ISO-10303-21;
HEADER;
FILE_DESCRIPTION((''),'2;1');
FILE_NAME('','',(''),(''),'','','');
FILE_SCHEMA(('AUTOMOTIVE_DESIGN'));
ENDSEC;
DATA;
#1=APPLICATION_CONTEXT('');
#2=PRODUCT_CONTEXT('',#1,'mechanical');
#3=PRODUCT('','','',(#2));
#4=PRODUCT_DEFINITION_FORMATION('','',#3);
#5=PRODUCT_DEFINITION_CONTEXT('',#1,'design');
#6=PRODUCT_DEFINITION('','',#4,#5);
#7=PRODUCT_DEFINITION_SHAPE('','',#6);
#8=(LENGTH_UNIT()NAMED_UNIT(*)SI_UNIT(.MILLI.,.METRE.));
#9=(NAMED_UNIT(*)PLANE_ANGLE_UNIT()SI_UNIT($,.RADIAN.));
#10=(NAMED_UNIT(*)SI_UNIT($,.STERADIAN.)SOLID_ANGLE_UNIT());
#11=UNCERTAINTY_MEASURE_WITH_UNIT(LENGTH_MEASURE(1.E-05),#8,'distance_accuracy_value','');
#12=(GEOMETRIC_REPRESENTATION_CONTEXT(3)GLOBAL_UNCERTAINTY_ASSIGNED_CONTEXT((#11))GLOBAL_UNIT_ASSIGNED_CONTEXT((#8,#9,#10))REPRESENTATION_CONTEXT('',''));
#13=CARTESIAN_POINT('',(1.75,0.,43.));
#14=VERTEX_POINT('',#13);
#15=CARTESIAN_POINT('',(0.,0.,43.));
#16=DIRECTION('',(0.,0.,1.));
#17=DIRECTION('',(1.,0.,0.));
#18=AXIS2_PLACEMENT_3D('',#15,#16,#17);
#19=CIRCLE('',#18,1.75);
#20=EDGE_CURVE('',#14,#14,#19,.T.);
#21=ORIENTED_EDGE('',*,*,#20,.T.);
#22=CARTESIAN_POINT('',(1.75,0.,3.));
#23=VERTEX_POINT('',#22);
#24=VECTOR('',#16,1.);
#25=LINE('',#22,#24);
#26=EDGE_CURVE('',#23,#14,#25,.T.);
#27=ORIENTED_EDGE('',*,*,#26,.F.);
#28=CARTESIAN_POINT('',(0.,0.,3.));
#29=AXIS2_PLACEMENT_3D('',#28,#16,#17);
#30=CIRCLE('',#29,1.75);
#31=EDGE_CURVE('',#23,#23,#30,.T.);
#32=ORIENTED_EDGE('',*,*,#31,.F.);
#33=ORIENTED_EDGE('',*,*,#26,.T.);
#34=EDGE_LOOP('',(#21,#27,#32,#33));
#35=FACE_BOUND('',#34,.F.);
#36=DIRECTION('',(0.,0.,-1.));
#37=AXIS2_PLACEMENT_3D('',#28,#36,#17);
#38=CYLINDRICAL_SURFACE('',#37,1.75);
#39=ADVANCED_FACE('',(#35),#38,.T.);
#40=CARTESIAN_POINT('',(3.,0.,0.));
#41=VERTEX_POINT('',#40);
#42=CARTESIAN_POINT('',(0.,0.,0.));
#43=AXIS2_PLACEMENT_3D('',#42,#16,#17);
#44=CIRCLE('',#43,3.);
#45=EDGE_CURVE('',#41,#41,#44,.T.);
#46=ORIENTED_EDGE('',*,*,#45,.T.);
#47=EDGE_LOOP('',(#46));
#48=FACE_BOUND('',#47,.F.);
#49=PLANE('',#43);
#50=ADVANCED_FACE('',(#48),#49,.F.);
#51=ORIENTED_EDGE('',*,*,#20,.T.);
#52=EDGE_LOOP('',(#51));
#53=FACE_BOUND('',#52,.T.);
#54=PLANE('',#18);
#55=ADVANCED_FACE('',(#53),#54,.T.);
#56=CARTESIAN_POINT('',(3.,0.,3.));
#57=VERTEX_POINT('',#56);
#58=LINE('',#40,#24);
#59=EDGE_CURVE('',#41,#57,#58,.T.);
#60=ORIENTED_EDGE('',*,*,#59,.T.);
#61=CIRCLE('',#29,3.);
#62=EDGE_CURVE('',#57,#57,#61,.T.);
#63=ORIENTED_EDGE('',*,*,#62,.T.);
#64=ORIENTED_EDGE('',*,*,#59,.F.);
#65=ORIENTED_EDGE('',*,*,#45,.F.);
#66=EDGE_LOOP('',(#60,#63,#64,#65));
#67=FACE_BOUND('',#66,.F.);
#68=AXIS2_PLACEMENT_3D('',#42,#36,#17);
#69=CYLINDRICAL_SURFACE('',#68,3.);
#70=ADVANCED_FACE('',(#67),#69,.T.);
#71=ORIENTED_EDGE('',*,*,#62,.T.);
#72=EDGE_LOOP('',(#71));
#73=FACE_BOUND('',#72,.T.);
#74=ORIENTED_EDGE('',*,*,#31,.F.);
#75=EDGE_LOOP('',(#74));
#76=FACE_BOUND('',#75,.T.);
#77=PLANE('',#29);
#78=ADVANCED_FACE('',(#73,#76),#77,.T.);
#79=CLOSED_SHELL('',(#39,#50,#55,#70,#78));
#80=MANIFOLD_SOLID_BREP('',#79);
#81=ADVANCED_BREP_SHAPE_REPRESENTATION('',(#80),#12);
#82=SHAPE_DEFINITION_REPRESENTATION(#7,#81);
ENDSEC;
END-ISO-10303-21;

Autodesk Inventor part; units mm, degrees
ref_plane "YZ Plane" through (0, 0, 0) normal (1, 0, 0) x (0, 1, 0)
ref_plane "XZ Plane" through (0, 0, 0) normal (0, 1, 0) x (-1, 0, 0)
ref_plane "XY Plane" through (0, 0, 0) normal (0, 0, 1) x (1, 0, 0)
sketch "スケッチ1" plane through (0, 0, 0) normal (0, 0, 1) x (1, 0, 0)
  circle A0 centre (0, 0) radius 3
  dimension "d0" = 6
extrude "押し出し1" add sketch "スケッチ1" along normal blind 3
sketch "スケッチ2" plane through (0, 0, 3) normal (0, 0, 1) x (1, 0, 0)
  circle A0 centre (0, 0) radius 1.75
  dimension "d3" = 3.5
extrude "押し出し2" add sketch "スケッチ2" along normal blind 40
properties part number "3SR13_キャスター固定ボルト"
